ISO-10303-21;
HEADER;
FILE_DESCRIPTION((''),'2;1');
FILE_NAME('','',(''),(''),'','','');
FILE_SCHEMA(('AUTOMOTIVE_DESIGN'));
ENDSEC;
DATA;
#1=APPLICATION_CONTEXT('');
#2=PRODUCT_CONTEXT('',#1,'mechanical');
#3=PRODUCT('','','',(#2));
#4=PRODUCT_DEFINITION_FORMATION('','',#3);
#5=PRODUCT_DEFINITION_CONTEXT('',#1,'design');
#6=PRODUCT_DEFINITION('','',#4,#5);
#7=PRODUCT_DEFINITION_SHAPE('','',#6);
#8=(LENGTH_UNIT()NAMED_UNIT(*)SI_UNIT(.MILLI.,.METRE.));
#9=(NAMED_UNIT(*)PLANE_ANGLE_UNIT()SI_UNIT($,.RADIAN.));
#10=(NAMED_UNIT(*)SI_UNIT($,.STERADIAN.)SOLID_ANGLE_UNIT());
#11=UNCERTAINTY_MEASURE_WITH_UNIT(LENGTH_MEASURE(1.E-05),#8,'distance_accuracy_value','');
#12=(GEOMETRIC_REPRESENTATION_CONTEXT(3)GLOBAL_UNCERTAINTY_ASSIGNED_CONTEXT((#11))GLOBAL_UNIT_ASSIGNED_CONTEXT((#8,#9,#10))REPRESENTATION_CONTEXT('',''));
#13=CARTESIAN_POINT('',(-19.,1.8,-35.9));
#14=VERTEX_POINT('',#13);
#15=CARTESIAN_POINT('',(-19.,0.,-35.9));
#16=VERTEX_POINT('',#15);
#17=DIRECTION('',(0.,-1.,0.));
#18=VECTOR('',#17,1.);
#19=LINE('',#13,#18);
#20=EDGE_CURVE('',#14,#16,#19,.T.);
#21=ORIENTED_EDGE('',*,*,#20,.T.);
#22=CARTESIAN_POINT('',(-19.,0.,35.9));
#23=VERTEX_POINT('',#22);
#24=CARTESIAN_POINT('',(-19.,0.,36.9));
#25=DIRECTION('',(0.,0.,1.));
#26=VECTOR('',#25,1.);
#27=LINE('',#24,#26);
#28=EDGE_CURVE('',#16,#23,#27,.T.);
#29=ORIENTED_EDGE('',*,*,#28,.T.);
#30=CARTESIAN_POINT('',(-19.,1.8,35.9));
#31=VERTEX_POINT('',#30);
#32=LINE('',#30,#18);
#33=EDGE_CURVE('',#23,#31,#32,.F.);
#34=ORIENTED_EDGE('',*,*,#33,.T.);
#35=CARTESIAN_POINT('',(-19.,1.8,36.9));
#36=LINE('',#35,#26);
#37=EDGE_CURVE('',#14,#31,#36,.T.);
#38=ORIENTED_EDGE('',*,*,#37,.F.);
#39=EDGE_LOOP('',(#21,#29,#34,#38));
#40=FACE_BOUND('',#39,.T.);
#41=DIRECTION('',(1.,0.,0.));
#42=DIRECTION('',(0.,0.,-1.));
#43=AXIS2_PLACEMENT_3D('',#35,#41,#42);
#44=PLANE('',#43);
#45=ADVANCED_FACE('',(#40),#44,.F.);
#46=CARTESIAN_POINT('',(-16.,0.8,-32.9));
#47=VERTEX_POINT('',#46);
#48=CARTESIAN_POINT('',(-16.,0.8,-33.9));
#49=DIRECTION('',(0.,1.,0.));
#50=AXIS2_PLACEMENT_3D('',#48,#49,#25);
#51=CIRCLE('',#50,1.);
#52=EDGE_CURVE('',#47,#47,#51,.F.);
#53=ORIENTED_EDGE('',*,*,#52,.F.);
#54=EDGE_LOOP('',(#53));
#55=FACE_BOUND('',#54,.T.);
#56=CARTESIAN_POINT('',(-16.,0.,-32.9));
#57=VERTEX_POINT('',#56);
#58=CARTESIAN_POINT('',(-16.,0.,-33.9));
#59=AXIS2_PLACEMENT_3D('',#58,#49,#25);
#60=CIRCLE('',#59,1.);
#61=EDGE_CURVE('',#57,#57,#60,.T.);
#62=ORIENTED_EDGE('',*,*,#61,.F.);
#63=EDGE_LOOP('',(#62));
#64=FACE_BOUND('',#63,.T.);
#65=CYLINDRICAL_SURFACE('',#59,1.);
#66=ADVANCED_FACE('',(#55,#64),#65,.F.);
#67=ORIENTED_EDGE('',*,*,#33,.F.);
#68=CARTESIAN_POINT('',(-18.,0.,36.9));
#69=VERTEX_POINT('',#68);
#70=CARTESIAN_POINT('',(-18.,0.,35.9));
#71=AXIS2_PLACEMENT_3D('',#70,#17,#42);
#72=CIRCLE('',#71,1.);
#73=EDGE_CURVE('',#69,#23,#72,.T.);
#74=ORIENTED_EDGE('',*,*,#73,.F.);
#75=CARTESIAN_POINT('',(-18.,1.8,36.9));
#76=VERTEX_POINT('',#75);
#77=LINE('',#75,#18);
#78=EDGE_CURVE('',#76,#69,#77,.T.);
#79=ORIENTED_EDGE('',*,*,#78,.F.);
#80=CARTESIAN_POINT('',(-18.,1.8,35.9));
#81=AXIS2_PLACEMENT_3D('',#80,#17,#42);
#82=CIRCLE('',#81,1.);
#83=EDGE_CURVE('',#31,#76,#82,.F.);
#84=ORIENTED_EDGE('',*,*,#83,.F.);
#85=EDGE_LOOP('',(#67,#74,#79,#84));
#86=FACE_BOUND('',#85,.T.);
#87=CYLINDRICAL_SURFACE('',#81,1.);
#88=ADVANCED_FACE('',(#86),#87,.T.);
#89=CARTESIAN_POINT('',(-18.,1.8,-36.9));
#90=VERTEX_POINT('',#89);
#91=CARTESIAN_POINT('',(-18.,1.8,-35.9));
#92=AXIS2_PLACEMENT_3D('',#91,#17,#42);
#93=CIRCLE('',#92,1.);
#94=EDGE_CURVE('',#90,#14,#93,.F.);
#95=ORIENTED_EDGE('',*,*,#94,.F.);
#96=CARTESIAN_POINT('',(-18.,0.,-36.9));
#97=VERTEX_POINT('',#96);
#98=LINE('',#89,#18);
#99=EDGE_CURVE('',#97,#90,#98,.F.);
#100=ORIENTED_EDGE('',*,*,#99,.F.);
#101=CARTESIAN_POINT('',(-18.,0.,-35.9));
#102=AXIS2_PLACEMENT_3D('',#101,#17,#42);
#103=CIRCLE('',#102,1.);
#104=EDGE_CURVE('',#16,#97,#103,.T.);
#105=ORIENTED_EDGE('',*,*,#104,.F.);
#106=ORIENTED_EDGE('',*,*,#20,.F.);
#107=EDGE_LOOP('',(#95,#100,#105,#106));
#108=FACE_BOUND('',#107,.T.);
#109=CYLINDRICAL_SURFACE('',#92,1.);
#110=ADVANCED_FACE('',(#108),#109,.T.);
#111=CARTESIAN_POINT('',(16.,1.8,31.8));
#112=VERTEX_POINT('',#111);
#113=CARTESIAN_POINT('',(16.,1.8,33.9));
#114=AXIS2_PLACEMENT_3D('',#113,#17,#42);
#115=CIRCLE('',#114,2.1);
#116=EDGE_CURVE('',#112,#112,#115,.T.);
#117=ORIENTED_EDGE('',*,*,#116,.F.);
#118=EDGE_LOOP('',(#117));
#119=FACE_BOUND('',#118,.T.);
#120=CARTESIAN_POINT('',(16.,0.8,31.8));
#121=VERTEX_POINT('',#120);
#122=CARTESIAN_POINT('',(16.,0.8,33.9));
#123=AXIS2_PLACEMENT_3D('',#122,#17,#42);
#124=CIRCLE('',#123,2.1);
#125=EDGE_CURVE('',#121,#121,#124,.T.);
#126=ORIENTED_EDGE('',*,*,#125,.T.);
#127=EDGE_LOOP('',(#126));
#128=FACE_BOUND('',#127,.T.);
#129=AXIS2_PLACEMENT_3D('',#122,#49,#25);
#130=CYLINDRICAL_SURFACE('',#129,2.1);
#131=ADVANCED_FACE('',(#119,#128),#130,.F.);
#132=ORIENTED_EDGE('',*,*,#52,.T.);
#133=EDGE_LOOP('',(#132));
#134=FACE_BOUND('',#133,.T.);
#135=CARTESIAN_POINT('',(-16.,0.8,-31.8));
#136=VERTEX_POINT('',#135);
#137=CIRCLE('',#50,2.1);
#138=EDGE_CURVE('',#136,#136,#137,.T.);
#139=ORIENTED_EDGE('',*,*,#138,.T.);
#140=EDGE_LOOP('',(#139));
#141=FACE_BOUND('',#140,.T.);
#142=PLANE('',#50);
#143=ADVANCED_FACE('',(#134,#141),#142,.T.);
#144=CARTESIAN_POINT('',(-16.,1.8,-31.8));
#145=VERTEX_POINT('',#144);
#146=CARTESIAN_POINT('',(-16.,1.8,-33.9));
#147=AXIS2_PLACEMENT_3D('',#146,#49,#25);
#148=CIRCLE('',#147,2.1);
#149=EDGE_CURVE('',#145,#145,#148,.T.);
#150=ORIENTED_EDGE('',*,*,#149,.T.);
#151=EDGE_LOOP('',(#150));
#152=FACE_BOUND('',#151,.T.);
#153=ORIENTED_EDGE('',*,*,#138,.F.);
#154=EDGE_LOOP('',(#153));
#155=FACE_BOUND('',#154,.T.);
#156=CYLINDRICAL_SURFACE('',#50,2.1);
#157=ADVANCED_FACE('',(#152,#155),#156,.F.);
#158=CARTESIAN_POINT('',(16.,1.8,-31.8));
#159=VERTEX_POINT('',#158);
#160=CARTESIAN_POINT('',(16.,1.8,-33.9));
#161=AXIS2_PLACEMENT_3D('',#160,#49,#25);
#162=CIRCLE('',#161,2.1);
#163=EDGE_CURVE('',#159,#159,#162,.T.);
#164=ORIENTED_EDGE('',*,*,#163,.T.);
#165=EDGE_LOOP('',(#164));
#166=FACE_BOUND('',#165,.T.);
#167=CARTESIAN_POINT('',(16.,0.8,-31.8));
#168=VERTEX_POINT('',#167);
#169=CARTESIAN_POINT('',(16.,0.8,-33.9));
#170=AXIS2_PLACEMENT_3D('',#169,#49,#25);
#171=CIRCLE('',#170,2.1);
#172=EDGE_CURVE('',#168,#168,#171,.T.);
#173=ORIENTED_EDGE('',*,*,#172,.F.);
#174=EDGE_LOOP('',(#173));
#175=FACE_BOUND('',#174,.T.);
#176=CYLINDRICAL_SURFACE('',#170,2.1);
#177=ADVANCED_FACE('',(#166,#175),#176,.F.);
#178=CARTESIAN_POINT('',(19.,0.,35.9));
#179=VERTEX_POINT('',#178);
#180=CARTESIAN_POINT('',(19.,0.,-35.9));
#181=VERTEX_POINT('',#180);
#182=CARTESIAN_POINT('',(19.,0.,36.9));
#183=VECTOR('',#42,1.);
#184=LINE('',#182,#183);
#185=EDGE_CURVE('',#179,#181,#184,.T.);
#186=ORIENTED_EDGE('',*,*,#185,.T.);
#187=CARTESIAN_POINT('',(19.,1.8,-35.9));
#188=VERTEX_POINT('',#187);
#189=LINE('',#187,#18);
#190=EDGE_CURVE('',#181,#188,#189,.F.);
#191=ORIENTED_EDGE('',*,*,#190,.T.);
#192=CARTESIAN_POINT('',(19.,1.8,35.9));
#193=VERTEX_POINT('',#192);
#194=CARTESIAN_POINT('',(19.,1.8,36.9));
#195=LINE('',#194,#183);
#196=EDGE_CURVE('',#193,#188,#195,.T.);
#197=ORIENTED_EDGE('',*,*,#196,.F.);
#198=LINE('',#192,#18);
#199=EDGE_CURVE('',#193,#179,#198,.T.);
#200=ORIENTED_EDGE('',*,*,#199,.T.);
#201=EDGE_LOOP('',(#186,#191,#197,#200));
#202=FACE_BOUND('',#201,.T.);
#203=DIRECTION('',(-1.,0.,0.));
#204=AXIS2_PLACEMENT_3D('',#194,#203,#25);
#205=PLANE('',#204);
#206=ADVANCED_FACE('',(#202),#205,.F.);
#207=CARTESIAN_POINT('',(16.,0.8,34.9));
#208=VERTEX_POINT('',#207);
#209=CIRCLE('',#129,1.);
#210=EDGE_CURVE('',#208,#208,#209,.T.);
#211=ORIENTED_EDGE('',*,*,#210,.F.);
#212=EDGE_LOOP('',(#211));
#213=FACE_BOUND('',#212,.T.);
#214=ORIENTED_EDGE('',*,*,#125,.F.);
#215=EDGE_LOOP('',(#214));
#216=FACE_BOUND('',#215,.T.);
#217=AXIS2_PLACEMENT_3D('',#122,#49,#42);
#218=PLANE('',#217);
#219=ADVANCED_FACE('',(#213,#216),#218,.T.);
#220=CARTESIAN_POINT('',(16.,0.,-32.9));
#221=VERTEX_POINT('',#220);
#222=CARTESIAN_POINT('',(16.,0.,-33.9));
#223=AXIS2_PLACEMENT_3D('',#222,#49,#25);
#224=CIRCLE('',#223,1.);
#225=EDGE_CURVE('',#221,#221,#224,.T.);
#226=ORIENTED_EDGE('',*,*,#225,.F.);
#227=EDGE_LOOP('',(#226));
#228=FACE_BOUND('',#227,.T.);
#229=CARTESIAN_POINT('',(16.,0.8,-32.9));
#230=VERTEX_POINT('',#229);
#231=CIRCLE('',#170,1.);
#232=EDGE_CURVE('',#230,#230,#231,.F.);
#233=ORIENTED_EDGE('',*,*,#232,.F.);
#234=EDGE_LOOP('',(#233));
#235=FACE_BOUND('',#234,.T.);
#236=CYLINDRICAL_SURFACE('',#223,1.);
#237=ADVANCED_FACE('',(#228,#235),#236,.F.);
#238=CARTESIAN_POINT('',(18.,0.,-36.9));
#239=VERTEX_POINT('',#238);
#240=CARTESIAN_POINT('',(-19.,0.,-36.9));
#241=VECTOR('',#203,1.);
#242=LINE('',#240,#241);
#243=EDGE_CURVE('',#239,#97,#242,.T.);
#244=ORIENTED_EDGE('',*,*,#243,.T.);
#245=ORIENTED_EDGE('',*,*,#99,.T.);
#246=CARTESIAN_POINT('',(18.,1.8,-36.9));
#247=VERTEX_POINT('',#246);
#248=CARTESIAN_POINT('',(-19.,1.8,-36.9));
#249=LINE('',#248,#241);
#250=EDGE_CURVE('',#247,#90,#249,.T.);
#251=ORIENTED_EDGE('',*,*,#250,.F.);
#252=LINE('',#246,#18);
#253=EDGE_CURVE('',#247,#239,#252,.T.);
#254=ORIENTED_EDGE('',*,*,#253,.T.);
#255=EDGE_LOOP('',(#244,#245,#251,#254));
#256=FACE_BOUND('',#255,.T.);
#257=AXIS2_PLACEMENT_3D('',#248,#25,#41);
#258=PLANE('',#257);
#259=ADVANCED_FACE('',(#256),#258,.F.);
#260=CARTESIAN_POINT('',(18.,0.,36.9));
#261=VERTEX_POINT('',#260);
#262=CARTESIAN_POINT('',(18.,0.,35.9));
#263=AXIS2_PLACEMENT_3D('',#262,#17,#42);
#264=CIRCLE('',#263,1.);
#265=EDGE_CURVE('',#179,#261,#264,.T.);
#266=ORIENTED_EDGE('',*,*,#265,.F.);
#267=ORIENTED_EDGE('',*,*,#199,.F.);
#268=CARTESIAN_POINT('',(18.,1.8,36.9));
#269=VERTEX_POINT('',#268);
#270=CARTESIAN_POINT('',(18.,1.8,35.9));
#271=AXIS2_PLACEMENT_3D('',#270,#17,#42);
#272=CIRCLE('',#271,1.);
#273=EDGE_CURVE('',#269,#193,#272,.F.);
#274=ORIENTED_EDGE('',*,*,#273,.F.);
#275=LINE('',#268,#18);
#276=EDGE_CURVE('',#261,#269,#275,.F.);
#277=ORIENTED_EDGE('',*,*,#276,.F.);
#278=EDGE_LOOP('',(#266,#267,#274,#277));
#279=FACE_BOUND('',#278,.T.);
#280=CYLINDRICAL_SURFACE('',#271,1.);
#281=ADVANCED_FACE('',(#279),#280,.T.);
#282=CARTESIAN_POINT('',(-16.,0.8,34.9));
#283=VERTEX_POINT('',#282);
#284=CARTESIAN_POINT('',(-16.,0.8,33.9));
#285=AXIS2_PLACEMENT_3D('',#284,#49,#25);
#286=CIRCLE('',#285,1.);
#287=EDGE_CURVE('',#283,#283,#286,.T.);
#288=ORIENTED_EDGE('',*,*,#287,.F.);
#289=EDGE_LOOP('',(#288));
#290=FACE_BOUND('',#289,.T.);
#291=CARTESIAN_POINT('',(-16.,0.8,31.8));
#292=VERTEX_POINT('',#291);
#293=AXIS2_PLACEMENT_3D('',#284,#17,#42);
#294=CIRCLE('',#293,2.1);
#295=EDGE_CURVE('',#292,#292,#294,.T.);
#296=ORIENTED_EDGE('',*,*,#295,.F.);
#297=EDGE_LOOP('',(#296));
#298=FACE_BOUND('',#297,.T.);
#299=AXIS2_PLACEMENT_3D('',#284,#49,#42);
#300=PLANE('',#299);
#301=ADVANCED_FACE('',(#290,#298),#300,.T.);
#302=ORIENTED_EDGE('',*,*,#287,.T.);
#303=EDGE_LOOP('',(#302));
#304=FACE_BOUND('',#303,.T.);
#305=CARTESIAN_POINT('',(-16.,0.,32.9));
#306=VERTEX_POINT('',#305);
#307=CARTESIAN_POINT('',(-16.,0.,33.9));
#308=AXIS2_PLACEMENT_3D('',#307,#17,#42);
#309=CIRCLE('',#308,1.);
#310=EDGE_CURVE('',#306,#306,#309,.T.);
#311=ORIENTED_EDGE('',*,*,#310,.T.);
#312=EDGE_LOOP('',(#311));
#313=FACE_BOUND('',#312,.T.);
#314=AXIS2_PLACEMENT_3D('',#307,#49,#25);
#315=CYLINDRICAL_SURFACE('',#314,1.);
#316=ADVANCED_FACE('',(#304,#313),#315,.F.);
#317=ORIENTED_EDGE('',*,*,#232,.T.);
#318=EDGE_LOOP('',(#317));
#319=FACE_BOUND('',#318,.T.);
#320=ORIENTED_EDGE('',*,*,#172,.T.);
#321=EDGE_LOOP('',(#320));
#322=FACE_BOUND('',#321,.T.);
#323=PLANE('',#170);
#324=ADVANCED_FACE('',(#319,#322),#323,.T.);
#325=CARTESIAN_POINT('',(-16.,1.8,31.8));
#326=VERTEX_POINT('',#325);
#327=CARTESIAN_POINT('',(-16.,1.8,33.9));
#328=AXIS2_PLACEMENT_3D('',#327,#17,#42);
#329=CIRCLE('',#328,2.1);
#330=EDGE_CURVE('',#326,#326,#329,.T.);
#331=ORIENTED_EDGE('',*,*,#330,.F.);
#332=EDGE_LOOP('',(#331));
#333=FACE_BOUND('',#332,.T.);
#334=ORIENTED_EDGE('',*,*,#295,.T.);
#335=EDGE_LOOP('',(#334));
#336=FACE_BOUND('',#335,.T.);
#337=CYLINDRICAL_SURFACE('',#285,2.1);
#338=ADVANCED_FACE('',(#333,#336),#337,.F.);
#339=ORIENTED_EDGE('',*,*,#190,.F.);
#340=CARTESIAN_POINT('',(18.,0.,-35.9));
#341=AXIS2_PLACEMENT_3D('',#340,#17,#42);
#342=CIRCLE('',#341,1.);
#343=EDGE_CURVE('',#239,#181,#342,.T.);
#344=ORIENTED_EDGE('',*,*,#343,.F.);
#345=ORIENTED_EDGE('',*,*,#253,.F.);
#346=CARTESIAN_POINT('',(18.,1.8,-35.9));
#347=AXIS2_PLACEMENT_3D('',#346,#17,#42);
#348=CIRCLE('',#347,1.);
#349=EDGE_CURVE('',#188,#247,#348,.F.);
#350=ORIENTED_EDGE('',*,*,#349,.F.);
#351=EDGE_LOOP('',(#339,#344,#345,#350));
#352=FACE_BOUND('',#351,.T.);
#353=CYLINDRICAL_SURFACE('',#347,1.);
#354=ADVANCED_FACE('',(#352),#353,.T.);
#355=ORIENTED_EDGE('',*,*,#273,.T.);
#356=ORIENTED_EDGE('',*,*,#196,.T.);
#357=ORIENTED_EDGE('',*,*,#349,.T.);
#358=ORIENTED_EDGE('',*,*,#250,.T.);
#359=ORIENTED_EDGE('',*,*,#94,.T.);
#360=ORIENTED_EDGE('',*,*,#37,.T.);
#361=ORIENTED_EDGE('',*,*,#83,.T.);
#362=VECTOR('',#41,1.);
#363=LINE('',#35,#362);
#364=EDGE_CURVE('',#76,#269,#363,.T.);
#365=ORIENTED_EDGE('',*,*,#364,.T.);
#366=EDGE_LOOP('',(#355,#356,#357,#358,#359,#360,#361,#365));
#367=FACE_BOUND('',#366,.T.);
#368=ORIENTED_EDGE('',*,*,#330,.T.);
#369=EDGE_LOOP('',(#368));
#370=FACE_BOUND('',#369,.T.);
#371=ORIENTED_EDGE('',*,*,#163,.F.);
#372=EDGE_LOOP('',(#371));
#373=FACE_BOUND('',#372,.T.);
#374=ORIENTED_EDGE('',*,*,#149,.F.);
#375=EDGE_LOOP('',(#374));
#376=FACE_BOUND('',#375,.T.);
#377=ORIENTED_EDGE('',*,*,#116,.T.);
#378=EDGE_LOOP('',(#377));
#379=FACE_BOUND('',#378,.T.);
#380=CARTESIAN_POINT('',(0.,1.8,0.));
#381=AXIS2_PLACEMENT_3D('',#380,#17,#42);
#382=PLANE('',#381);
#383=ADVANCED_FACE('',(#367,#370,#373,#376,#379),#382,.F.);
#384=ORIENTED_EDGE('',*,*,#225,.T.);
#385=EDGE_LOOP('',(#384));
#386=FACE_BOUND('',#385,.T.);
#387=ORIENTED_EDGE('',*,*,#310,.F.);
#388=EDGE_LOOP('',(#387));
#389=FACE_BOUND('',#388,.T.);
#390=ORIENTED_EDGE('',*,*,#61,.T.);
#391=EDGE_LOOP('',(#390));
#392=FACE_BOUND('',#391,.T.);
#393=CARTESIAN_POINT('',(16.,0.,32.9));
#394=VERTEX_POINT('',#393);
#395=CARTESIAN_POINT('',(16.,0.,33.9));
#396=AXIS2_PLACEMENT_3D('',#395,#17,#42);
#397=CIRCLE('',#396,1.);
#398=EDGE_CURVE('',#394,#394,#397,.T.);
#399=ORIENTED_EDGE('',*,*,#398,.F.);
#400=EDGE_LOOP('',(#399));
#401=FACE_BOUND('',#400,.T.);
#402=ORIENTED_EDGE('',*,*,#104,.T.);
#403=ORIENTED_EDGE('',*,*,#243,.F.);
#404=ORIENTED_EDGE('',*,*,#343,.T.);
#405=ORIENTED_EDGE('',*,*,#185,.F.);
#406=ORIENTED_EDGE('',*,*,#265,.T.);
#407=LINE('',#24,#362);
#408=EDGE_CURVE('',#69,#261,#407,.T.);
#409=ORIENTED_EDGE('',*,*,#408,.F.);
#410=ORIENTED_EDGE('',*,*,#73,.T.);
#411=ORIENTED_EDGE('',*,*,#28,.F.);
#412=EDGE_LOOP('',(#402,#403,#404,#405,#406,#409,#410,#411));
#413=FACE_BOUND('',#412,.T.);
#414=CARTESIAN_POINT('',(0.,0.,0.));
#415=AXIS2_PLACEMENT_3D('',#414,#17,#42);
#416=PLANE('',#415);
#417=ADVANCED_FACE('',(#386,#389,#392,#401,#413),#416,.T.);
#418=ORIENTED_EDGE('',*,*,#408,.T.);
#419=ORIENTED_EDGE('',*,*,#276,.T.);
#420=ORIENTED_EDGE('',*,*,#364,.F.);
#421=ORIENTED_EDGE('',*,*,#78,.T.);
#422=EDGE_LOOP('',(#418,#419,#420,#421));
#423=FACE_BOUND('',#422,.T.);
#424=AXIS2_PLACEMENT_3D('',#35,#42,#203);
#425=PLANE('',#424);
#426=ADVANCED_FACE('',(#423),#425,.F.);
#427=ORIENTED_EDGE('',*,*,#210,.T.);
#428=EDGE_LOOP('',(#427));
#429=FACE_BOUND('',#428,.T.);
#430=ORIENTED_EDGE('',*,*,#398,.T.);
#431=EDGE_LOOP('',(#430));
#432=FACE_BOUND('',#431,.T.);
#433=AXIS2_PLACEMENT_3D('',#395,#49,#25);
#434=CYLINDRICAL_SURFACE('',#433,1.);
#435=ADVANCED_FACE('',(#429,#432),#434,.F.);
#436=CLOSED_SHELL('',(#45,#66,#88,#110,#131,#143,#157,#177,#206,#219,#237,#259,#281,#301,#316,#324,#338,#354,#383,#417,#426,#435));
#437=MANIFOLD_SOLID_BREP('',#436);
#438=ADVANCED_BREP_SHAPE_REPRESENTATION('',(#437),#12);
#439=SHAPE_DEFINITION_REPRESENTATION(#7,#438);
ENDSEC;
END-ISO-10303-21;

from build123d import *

# Parameters (mm, degrees)
SKETCH1_W           = 38
SKETCH1_H           = 73.8
BOSS_EXTRUDE1_DEPTH = 1.8
SKETCH2_R           = 1
CUT_EXTRUDE1_DEPTH  = 2.8
SKETCH3_R           = 2.1
CUT_EXTRUDE2_DEPTH  = 1
FILLET1_R           = 1


with BuildPart() as part:
    # Sketch1 → Boss-Extrude1 (new body)
    with BuildSketch(Plane(origin=(0, 0, 0), x_dir=(1, 0, 0), z_dir=(0, 1, 0))):
        Rectangle(SKETCH1_W, SKETCH1_H)
    extrude(amount=BOSS_EXTRUDE1_DEPTH)

    # Sketch2 → Cut-Extrude1 (cut, through all)
    with BuildSketch(Plane(origin=(0, 1.8, 0), x_dir=(1, 0, 0), z_dir=(0, 1, 0))):
        with Locations((-16, 33.9)):
            Circle(SKETCH2_R)
        with Locations((16, 33.9)):
            Circle(SKETCH2_R)
    cut_extrude1 = extrude(amount=-CUT_EXTRUDE1_DEPTH, mode=Mode.SUBTRACT)

    # Sketch3 → Cut-Extrude2 (cut)
    with BuildSketch(Plane(origin=(0, 1.8, 0), x_dir=(1, 0, 0), z_dir=(0, 1, 0))):
        with Locations((-16, 33.9)):
            Circle(SKETCH3_R)
        with Locations((16, 33.9)):
            Circle(SKETCH3_R)
    cut_extrude2 = extrude(amount=-CUT_EXTRUDE2_DEPTH, mode=Mode.SUBTRACT)

    # Mirror1: Cut-Extrude1, Cut-Extrude2 across plane
    add(cut_extrude1.mirror(Plane.XY), mode=Mode.SUBTRACT)
    add(cut_extrude2.mirror(Plane.XY), mode=Mode.SUBTRACT)

    # Fillet1
    fillet1_edges = [part.edges().sort_by_distance(p)[0] for p in [
        (19, 0.9, 36.9),
        (-19, 0.9, 36.9),
        (-19, 0.9, -36.9),
        (19, 0.9, -36.9),
    ]]
    fillet(fillet1_edges, radius=FILLET1_R)


solid = part.part
